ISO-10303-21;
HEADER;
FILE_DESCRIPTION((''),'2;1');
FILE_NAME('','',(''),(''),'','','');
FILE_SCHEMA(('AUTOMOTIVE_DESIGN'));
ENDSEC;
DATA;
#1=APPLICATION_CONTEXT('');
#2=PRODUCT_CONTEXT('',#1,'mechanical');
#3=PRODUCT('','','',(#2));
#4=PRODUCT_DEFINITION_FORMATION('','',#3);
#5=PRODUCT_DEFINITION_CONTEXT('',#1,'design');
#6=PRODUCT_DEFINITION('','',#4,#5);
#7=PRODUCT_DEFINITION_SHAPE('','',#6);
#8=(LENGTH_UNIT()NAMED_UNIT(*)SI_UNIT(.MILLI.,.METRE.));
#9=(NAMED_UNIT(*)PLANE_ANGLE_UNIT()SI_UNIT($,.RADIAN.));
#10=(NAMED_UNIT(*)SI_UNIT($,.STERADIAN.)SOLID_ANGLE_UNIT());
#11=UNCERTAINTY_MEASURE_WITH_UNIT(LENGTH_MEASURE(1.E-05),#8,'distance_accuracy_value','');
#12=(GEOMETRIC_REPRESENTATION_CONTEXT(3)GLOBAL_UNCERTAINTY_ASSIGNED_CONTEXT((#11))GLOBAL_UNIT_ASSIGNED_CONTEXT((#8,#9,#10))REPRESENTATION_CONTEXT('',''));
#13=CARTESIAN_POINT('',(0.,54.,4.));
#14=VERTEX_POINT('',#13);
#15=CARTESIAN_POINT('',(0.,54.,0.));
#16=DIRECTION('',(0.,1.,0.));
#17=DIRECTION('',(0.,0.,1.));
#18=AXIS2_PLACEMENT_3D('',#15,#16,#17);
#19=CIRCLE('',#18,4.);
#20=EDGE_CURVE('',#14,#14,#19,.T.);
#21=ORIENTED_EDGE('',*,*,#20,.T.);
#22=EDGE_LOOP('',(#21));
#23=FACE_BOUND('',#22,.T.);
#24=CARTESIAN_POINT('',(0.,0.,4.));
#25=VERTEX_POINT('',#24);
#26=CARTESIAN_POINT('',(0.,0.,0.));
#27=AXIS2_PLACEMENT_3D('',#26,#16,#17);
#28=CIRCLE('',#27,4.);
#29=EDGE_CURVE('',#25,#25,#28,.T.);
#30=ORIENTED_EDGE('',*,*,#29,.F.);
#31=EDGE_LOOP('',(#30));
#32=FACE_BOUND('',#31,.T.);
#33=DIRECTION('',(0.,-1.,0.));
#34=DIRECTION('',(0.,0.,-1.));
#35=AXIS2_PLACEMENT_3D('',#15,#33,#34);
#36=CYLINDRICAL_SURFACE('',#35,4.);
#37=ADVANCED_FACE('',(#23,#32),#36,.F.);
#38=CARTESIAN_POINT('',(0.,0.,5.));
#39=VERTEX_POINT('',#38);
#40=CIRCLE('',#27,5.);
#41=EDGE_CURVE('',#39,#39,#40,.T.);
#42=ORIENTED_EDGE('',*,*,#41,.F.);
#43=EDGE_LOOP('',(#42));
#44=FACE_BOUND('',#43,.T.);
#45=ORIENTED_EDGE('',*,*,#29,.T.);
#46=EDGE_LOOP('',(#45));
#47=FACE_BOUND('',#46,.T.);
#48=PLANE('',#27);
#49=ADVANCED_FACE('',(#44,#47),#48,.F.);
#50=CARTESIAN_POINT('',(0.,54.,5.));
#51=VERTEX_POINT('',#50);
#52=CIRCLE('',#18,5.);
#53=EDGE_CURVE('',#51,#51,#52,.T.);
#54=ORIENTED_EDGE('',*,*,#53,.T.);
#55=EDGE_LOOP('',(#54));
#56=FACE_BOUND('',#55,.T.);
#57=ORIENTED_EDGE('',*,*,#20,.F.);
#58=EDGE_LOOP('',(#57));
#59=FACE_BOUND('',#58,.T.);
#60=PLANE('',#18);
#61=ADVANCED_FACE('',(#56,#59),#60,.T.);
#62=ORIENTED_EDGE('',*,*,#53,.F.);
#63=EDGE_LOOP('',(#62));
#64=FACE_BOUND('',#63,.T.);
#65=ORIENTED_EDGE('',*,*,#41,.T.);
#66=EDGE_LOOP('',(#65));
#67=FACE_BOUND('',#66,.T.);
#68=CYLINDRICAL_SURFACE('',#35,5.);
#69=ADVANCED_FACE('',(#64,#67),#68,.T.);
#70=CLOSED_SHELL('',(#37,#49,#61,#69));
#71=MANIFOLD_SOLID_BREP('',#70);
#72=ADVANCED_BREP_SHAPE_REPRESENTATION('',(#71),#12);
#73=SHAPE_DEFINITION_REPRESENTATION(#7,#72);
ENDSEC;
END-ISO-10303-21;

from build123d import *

# Parameters (mm, degrees)
CROQUIS1_R              = 5
CROQUIS1_R_2            = 4
SALIENTE_EXTRUIR1_DEPTH = 54


with BuildPart() as part:
    # Croquis1 → Saliente-Extruir1 (new body)
    with BuildSketch(Plane(origin=(0, 0, 0), x_dir=(1, 0, 0), z_dir=(0, 1, 0))):
        Circle(CROQUIS1_R)
        Circle(CROQUIS1_R_2, mode=Mode.SUBTRACT)
    extrude(amount=SALIENTE_EXTRUIR1_DEPTH)


solid = part.part
